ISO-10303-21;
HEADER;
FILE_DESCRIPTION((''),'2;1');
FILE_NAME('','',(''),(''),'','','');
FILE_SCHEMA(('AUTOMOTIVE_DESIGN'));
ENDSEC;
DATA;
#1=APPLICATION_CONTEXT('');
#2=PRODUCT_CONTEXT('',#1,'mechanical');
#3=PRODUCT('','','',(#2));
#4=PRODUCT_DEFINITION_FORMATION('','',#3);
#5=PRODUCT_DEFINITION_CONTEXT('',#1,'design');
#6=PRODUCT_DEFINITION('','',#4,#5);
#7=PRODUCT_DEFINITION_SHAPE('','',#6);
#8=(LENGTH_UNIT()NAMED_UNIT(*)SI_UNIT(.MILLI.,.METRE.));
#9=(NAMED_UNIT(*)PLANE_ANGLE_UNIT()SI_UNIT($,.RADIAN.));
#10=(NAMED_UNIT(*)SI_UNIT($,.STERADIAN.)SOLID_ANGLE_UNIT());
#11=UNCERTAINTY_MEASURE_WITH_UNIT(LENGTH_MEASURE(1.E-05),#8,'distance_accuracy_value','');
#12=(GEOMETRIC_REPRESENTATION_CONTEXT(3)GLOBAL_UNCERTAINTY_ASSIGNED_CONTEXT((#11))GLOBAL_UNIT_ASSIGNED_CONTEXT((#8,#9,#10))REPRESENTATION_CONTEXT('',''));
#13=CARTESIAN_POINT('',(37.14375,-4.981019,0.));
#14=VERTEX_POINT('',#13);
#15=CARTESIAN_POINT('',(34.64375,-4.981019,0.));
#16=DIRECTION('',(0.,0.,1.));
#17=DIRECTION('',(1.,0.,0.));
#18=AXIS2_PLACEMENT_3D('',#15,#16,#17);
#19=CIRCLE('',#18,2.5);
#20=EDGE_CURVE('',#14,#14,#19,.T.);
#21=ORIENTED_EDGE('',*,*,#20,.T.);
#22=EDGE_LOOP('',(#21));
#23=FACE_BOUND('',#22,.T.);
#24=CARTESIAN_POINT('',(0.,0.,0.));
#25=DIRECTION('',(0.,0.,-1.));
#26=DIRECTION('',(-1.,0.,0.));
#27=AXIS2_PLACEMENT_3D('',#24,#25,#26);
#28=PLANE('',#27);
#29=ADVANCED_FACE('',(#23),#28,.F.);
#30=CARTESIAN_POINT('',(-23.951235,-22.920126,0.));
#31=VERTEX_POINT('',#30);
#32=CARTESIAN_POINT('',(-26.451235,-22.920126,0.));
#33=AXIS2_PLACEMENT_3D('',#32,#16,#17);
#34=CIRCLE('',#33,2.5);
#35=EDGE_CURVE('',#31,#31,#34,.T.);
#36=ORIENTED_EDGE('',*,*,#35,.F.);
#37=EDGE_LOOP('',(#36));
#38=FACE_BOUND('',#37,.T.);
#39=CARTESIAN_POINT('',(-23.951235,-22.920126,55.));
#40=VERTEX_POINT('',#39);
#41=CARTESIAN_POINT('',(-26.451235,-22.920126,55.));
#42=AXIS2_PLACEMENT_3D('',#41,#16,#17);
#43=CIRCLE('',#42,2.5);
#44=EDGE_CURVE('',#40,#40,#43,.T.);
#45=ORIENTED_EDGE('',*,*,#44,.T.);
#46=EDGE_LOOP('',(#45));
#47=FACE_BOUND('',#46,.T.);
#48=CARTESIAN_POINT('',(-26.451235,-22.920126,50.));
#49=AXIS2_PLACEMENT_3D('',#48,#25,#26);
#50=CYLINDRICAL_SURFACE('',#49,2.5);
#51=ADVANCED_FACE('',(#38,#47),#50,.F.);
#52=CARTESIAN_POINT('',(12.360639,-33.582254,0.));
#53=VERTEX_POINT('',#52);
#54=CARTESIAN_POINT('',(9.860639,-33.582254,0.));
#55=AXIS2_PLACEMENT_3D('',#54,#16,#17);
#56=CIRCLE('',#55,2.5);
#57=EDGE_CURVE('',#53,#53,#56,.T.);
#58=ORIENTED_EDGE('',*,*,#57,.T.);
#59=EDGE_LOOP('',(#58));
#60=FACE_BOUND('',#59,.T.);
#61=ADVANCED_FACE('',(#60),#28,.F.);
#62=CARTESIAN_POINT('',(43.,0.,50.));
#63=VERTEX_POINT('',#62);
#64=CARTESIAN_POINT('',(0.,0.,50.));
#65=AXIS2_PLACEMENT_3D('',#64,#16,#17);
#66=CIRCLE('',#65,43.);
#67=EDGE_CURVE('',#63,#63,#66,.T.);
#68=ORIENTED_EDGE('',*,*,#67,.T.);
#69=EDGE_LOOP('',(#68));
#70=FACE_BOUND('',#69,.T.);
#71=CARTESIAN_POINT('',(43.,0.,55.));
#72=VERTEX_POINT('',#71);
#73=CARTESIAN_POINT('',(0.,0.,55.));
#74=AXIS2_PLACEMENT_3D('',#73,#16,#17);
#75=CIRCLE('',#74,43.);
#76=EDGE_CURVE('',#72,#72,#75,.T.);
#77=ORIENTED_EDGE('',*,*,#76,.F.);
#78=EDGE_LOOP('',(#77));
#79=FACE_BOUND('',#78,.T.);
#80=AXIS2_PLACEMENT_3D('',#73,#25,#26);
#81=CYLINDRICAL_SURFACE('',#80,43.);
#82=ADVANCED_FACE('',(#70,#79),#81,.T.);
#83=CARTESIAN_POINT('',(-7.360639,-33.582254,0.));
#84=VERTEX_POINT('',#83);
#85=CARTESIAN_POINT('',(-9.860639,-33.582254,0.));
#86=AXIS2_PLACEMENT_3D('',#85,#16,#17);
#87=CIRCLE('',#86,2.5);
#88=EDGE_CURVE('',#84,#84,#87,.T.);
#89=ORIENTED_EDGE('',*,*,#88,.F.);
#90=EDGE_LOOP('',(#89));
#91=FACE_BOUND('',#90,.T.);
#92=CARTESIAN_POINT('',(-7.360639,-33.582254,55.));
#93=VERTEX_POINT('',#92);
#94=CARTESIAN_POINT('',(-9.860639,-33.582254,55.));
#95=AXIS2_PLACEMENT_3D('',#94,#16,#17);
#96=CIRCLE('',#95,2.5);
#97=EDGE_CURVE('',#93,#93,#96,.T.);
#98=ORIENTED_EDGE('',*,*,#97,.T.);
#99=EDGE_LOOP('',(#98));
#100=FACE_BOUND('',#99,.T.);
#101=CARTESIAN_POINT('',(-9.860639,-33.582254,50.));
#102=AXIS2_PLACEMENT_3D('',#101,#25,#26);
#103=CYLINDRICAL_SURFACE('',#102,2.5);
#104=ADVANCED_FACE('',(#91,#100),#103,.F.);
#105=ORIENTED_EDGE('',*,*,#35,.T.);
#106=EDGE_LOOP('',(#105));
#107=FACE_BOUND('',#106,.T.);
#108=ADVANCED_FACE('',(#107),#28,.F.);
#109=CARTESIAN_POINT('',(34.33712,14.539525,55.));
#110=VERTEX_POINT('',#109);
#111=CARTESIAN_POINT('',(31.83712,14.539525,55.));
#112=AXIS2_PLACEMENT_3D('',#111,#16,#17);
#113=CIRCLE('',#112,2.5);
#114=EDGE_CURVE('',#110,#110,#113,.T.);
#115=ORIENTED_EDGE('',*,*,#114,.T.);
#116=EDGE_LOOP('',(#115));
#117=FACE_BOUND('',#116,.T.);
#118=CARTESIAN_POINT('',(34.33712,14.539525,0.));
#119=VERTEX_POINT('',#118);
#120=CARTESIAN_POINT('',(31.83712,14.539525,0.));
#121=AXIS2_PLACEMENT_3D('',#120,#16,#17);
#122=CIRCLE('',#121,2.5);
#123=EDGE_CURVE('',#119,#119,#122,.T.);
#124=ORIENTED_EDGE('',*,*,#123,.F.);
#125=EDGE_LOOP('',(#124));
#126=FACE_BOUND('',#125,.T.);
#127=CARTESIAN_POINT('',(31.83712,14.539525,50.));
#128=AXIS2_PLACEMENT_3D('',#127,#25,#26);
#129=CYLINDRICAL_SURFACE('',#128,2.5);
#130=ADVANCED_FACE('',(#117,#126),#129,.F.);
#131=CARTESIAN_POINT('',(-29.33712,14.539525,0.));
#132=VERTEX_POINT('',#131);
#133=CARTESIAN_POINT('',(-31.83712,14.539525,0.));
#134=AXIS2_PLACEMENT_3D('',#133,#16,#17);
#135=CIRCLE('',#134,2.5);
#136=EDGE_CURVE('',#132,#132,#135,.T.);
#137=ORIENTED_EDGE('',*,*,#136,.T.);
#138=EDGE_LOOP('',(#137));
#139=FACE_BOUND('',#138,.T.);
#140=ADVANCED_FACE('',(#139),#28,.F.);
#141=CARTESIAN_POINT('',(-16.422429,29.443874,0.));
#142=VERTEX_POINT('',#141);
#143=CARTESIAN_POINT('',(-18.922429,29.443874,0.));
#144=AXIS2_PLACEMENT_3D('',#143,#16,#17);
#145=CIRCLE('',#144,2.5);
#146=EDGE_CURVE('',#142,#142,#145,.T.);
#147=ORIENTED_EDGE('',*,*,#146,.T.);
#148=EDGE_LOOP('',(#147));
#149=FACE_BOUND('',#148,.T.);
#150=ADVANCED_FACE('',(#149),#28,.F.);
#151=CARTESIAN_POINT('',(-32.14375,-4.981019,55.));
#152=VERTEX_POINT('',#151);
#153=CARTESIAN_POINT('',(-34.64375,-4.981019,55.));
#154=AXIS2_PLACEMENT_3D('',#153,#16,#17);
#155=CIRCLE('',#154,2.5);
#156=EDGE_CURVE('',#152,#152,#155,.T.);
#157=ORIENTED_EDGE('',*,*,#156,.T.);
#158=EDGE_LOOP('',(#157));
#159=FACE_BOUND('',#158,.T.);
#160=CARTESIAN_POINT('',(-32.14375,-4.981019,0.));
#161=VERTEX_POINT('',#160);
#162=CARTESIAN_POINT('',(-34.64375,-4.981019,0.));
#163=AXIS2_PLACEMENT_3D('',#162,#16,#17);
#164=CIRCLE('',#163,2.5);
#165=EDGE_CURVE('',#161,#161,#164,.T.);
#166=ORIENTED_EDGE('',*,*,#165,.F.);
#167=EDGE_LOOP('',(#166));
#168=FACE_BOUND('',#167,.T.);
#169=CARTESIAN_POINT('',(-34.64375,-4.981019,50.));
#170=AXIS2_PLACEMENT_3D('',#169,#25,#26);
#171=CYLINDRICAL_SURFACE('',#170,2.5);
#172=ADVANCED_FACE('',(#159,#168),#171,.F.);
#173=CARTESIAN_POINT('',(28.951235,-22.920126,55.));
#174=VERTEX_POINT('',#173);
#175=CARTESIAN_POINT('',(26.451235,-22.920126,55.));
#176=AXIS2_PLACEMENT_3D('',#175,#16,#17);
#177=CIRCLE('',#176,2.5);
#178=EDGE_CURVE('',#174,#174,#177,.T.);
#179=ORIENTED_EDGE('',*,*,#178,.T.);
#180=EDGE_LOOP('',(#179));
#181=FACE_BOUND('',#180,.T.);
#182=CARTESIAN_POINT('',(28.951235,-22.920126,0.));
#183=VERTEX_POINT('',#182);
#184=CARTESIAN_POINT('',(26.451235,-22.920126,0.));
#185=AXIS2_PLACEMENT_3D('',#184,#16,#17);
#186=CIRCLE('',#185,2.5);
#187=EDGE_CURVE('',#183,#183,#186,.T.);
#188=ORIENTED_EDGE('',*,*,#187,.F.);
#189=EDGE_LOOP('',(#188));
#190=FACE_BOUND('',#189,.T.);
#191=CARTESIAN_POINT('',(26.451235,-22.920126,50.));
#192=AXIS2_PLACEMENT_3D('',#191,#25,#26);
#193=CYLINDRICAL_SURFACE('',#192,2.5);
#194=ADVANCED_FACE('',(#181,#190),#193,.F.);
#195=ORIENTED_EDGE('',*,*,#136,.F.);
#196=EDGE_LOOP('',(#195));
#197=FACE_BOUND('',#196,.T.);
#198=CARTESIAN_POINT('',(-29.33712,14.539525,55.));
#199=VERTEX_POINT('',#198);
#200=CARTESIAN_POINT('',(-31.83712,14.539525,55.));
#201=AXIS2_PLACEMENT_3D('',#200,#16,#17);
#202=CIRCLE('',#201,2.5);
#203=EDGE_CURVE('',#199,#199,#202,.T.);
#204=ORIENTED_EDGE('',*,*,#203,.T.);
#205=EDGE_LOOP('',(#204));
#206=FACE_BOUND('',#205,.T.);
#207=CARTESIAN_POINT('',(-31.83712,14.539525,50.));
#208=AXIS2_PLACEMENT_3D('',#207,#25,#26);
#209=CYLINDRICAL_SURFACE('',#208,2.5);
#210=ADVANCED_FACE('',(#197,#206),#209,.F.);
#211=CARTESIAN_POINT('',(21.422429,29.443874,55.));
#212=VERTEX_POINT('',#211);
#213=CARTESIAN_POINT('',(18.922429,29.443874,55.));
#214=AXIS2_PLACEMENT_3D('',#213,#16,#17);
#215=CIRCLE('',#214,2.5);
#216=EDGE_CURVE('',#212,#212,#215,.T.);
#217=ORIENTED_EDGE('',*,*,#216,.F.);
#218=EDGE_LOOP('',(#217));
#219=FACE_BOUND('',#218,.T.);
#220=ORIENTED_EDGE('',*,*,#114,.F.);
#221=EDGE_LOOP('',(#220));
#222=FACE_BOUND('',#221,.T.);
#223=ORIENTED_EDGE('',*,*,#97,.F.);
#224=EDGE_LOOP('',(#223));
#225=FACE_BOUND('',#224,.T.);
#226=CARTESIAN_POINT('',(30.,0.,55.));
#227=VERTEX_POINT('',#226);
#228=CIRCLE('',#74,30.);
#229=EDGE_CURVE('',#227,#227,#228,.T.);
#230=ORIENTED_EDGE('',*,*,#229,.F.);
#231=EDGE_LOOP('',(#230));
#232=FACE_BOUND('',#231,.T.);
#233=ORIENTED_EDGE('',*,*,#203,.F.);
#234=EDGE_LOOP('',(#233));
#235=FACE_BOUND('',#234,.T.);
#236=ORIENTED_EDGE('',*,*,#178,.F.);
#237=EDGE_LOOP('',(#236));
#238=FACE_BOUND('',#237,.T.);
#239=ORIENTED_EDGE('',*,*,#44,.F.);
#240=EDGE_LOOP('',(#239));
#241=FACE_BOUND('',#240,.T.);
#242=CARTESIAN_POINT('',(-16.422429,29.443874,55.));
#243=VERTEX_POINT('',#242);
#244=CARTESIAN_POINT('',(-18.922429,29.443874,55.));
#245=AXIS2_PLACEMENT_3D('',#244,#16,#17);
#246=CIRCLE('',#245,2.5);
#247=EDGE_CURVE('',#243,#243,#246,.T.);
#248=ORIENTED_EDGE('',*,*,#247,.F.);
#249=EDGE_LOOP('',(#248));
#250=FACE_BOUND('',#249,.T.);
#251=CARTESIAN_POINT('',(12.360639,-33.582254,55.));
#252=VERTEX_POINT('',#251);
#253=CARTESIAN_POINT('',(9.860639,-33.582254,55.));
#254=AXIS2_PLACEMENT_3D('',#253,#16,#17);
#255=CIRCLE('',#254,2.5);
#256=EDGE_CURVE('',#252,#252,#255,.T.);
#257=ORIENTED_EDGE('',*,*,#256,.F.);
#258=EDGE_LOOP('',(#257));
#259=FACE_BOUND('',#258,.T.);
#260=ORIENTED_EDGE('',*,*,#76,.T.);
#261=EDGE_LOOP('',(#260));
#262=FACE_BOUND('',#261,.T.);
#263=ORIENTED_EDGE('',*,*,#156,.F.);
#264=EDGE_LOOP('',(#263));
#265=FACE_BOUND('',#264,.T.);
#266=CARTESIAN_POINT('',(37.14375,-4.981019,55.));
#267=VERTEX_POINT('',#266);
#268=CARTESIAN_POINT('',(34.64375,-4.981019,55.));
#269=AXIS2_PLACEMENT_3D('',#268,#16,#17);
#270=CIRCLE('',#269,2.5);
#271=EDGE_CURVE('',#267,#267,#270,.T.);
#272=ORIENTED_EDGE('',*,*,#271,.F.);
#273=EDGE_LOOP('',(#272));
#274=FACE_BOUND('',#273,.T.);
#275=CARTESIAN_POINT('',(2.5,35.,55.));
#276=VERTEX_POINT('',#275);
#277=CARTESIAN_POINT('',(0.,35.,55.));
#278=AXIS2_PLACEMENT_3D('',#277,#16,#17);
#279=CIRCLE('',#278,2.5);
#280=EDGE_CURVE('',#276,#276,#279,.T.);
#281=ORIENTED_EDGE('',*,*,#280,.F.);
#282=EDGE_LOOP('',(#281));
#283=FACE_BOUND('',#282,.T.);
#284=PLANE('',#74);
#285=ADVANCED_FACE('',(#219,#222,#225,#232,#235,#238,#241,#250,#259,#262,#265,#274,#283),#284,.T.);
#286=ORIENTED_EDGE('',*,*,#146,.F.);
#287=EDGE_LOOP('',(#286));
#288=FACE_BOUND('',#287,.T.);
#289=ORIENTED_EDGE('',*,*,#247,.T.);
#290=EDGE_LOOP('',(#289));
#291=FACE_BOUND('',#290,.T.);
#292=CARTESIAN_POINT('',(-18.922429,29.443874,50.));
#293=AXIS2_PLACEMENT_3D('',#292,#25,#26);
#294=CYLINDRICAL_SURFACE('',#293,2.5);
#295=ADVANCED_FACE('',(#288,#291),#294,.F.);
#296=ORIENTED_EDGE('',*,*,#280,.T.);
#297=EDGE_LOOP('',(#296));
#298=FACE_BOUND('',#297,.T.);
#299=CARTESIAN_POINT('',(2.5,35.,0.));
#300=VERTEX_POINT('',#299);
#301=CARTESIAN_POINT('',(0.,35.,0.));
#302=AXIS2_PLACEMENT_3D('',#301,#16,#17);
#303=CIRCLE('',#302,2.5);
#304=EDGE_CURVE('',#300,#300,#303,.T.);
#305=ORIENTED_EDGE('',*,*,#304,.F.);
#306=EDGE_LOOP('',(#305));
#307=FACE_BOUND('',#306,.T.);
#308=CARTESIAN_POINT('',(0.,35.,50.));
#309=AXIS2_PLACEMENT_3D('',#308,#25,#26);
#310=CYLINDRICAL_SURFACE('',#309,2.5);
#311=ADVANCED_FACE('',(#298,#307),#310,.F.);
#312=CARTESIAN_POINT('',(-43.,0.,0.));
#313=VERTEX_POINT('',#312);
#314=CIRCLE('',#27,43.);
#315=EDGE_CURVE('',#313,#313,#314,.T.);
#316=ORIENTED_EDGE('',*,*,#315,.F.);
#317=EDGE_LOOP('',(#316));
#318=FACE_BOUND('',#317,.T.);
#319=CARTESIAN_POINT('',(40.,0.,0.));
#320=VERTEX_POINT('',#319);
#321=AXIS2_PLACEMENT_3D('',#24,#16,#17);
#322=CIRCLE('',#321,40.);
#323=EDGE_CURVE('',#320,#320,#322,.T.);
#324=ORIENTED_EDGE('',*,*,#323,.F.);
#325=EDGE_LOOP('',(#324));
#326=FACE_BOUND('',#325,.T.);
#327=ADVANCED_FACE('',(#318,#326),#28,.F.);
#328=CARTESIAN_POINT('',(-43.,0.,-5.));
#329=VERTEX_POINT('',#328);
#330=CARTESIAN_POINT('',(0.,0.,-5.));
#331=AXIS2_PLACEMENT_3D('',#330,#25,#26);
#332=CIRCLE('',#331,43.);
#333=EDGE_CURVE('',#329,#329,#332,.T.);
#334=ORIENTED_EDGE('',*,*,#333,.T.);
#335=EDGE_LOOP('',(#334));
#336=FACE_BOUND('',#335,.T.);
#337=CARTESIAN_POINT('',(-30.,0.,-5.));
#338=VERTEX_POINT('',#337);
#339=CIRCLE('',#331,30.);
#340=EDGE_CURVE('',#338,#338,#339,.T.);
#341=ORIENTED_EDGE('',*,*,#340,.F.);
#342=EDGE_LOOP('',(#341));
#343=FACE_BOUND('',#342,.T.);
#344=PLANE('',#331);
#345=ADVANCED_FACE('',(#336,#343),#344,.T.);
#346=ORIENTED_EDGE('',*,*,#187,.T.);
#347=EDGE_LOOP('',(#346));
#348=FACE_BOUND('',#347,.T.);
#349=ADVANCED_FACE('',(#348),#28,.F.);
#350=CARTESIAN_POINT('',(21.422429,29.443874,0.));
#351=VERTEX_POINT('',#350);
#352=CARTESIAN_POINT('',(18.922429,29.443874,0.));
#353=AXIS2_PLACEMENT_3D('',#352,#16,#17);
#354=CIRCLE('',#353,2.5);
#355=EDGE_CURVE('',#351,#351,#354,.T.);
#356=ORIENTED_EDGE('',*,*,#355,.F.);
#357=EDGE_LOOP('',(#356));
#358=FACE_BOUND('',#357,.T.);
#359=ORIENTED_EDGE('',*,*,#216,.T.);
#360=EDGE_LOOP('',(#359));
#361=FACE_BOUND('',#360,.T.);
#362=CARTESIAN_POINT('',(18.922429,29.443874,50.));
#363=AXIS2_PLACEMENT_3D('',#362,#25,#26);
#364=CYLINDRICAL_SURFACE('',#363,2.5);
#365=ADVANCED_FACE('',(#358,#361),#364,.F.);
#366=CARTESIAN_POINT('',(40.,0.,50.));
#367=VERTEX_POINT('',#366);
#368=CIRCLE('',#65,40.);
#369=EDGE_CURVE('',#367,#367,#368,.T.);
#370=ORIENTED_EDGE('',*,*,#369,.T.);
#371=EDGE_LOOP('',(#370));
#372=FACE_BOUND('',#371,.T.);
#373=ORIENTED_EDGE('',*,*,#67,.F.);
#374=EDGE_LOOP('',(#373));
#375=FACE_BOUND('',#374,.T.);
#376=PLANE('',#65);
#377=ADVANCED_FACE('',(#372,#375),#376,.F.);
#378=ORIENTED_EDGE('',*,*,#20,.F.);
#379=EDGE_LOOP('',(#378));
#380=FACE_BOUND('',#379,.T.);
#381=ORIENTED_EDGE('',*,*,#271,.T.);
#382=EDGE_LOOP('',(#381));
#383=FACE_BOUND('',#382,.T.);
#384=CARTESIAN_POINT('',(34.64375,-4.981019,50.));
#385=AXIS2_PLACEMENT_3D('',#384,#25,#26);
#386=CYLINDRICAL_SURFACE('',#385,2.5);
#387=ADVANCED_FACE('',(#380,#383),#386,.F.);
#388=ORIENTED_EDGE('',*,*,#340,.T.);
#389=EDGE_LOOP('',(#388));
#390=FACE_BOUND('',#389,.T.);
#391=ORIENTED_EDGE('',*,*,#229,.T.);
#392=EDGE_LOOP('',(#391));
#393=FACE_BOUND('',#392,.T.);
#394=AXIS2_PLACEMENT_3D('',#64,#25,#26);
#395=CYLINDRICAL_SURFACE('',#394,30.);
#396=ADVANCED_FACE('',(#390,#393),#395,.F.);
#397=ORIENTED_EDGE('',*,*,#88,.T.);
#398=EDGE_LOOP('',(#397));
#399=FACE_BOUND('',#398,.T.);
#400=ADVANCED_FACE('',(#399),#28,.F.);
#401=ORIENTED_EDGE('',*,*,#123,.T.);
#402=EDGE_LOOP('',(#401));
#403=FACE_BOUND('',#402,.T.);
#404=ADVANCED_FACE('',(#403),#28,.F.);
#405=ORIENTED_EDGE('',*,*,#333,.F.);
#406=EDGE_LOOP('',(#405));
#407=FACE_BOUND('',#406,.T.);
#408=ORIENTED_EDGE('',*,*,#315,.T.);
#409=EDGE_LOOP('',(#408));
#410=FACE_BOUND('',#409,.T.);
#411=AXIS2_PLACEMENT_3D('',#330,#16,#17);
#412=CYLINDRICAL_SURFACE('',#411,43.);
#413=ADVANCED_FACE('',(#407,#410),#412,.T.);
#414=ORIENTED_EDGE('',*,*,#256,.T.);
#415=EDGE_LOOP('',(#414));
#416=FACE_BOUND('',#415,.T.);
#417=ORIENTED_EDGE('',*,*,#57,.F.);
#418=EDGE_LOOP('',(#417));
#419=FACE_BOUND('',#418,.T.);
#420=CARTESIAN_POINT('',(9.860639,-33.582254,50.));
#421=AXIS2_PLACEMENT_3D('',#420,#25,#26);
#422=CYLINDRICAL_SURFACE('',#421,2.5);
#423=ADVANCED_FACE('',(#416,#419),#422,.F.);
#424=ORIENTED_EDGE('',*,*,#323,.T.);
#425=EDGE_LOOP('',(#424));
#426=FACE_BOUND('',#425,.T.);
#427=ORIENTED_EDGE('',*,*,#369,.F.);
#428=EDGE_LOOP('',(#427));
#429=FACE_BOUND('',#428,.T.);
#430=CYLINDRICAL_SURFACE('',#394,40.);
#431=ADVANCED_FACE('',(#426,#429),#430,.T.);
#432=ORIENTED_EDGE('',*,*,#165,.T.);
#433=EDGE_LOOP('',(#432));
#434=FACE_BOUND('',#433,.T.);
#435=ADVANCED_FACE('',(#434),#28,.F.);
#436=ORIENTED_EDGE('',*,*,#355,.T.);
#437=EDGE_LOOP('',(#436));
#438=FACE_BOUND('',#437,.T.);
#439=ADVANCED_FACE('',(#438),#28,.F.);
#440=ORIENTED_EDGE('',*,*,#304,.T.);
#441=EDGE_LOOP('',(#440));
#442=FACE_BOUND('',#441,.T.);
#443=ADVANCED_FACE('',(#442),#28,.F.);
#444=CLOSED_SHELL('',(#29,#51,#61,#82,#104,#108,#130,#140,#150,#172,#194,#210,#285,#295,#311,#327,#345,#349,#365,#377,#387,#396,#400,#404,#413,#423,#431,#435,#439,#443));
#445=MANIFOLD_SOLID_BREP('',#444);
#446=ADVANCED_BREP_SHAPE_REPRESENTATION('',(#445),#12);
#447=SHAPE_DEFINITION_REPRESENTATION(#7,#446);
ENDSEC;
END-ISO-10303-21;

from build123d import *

# Parameters (mm, degrees)
SKETCH1_R           = 40
SKETCH1_R_2         = 30
SKETCH1_R_3         = 2.5
BOSS_EXTRUDE1_DEPTH = 50
SKETCH2_R           = 43
SKETCH2_R_2         = 30
BOSS_EXTRUDE2_DEPTH = 5
SKETCH3_R           = 43
SKETCH3_R_2         = 30
SKETCH3_R_3         = 2.5
BOSS_EXTRUDE3_DEPTH = 5


with BuildPart() as part:
    # Sketch1 → Boss-Extrude1 (new body)
    with BuildSketch(Plane.XY):
        Circle(SKETCH1_R)
        Circle(SKETCH1_R_2, mode=Mode.SUBTRACT)
        with Locations((0, 35)):
            Circle(SKETCH1_R_3, mode=Mode.SUBTRACT)
        with Locations((18.922428611, 29.443873649)):
            Circle(SKETCH1_R_3, mode=Mode.SUBTRACT)
        with Locations((31.837119837, 14.539525455)):
            Circle(SKETCH1_R_3, mode=Mode.SUBTRACT)
        with Locations((34.643750466, -4.98101934)):
            Circle(SKETCH1_R_3, mode=Mode.SUBTRACT)
        with Locations((26.451235102, -22.920125688)):
            Circle(SKETCH1_R_3, mode=Mode.SUBTRACT)
        with Locations((9.860639489, -33.582254077)):
            Circle(SKETCH1_R_3, mode=Mode.SUBTRACT)
        with Locations((-9.860639489, -33.582254077)):
            Circle(SKETCH1_R_3, mode=Mode.SUBTRACT)
        with Locations((-26.451235102, -22.920125688)):
            Circle(SKETCH1_R_3, mode=Mode.SUBTRACT)
        with Locations((-34.643750466, -4.98101934)):
            Circle(SKETCH1_R_3, mode=Mode.SUBTRACT)
        with Locations((-31.837119837, 14.539525455)):
            Circle(SKETCH1_R_3, mode=Mode.SUBTRACT)
        with Locations((-18.922428611, 29.443873649)):
            Circle(SKETCH1_R_3, mode=Mode.SUBTRACT)
    extrude(amount=BOSS_EXTRUDE1_DEPTH)

    # Sketch2 → Boss-Extrude2 (add)
    with BuildSketch(Plane(origin=(0, 0, 0), x_dir=(-1, 0, 0), z_dir=(0, 0, -1))):
        Circle(SKETCH2_R)
        Circle(SKETCH2_R_2, mode=Mode.SUBTRACT)
    extrude(amount=BOSS_EXTRUDE2_DEPTH)

    # Sketch3 → Boss-Extrude3 (add)
    with BuildSketch(Plane.XY.offset(50)):
        Circle(SKETCH3_R)
        Circle(SKETCH3_R_2, mode=Mode.SUBTRACT)
        with Locations((31.837119837, 14.539525455)):
            Circle(SKETCH3_R_3, mode=Mode.SUBTRACT)
        with Locations((34.643750466, -4.98101934)):
            Circle(SKETCH3_R_3, mode=Mode.SUBTRACT)
        with Locations((26.451235102, -22.920125688)):
            Circle(SKETCH3_R_3, mode=Mode.SUBTRACT)
        with Locations((9.860639489, -33.582254077)):
            Circle(SKETCH3_R_3, mode=Mode.SUBTRACT)
        with Locations((-9.860639489, -33.582254077)):
            Circle(SKETCH3_R_3, mode=Mode.SUBTRACT)
        with Locations((-26.451235102, -22.920125688)):
            Circle(SKETCH3_R_3, mode=Mode.SUBTRACT)
        with Locations((-34.643750466, -4.98101934)):
            Circle(SKETCH3_R_3, mode=Mode.SUBTRACT)
        with Locations((-31.837119837, 14.539525455)):
            Circle(SKETCH3_R_3, mode=Mode.SUBTRACT)
        with Locations((-18.922428611, 29.443873649)):
            Circle(SKETCH3_R_3, mode=Mode.SUBTRACT)
        with Locations((0, 35)):
            Circle(SKETCH3_R_3, mode=Mode.SUBTRACT)
        with Locations((18.922428611, 29.443873649)):
            Circle(SKETCH3_R_3, mode=Mode.SUBTRACT)
    extrude(amount=BOSS_EXTRUDE3_DEPTH)


solid = part.part
